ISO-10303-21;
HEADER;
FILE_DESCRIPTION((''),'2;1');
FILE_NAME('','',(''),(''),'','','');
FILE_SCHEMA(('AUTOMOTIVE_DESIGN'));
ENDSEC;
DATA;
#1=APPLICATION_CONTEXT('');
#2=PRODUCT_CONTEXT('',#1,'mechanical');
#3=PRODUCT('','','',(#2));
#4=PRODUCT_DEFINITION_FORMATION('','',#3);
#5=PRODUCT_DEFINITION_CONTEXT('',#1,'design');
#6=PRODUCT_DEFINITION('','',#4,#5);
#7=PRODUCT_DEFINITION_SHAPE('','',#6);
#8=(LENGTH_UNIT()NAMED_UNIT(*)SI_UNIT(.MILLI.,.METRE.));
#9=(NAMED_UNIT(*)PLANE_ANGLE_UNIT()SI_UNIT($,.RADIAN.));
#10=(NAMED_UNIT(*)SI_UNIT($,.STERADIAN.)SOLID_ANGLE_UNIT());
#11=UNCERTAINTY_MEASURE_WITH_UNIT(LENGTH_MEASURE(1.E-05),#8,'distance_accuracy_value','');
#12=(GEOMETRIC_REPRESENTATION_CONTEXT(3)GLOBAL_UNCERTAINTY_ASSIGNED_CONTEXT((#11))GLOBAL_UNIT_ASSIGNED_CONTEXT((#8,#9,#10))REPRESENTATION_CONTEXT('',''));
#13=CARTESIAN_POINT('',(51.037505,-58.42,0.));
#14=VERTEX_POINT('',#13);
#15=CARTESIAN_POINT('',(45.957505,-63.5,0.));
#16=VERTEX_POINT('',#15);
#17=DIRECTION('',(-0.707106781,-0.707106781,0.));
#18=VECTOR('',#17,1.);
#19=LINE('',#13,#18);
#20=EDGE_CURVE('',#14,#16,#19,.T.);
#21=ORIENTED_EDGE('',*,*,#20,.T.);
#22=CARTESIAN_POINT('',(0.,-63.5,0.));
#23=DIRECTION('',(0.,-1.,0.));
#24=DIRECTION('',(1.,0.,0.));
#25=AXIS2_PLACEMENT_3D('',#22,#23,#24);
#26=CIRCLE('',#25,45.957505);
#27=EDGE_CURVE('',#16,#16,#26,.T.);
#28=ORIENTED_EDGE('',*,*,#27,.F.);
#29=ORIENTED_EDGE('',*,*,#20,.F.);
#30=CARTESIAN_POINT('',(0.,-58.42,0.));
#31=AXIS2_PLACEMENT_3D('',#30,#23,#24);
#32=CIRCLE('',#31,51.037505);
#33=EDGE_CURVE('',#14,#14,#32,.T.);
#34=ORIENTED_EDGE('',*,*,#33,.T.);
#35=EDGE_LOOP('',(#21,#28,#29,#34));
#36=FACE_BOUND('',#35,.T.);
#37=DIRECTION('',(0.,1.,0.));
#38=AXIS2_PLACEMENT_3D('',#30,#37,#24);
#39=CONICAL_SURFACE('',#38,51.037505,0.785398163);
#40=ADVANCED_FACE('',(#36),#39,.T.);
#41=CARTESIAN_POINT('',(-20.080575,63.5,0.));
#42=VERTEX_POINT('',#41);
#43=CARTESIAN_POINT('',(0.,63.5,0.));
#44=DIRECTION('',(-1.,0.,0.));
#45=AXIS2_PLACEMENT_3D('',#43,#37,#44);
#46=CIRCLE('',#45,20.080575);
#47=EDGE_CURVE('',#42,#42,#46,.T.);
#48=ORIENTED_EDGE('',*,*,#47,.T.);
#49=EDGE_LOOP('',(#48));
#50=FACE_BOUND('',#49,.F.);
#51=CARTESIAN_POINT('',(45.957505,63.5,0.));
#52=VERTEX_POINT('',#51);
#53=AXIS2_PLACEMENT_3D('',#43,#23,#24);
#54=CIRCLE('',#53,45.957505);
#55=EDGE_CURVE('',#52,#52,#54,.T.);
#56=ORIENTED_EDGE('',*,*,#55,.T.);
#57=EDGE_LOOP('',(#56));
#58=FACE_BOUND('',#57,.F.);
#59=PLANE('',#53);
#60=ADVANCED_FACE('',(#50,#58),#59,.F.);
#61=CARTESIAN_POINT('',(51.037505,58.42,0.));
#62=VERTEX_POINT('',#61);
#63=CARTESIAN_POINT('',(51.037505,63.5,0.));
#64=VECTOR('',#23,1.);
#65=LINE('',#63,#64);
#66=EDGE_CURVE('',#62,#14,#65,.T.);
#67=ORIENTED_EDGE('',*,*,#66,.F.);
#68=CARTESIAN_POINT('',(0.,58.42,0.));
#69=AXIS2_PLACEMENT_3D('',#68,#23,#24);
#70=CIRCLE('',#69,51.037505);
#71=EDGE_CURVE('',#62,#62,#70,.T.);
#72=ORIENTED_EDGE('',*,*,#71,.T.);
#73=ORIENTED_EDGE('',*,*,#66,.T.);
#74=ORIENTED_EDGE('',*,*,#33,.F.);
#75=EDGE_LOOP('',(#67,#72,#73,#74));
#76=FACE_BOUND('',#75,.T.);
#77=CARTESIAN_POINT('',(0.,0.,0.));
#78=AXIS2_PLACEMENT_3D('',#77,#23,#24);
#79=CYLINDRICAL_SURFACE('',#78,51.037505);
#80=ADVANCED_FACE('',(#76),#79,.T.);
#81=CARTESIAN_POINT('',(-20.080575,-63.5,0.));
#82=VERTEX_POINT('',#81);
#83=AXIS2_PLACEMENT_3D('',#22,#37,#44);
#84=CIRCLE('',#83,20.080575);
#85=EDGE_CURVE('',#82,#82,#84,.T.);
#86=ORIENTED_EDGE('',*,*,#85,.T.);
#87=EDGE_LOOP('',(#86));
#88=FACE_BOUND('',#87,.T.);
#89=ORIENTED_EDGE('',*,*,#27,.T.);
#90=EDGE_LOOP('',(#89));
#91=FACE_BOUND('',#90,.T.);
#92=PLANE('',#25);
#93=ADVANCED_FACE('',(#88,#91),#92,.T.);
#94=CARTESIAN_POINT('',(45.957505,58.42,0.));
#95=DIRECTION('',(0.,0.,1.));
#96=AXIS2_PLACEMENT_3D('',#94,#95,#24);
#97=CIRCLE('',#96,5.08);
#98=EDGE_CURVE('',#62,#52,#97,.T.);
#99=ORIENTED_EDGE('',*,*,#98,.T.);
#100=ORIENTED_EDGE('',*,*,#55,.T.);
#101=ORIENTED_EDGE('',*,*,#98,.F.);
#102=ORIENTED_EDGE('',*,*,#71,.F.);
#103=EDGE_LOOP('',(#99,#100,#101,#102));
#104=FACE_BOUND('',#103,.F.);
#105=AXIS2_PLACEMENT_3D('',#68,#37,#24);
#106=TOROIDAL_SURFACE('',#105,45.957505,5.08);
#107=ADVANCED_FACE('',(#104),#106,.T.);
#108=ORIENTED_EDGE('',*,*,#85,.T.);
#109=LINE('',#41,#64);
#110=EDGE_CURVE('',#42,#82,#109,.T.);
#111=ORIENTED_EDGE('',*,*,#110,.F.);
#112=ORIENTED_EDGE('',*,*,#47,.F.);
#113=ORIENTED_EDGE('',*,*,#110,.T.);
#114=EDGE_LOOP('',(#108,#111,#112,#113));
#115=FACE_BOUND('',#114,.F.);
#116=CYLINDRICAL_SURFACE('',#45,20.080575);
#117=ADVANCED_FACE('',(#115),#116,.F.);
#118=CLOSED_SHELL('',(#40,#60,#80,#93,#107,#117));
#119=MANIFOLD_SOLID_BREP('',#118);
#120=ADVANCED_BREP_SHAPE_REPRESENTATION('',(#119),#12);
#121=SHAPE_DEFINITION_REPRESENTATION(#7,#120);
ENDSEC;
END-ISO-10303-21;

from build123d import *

# Parameters (mm, degrees)
F0_R     = 51.037505
F1_DEPTH = 63.5
F2_SIZE  = 5.08
F3_R     = 5.08
F4_R     = 20.080575
F5_DEPTH = 127.001


with BuildPart() as f1:
    # F0 (on Front) → F1 (new body, symmetric)
    with BuildSketch(Plane.XZ):
        Circle(F0_R)
    extrude(amount=F1_DEPTH, both=True)

    # F2
    f2_edges = [f1.edges().sort_by_distance(p)[0] for p in [
        (-51.037505, -63.5, 0),
    ]]
    chamfer(f2_edges, length=F2_SIZE)

    # F3
    f3_edges = [f1.edges().sort_by_distance(p)[0] for p in [
        (-51.037505, 63.5, 0),
    ]]
    fillet(f3_edges, radius=F3_R)

    # F4 (on face) → F5 (cut, through all)
    with BuildSketch(Plane(origin=(0, 63.5, 0), x_dir=(-1, 0, 0), z_dir=(0, 1, 0))):
        Circle(F4_R)
    extrude(amount=-F5_DEPTH, mode=Mode.SUBTRACT)


solid = f1.part
